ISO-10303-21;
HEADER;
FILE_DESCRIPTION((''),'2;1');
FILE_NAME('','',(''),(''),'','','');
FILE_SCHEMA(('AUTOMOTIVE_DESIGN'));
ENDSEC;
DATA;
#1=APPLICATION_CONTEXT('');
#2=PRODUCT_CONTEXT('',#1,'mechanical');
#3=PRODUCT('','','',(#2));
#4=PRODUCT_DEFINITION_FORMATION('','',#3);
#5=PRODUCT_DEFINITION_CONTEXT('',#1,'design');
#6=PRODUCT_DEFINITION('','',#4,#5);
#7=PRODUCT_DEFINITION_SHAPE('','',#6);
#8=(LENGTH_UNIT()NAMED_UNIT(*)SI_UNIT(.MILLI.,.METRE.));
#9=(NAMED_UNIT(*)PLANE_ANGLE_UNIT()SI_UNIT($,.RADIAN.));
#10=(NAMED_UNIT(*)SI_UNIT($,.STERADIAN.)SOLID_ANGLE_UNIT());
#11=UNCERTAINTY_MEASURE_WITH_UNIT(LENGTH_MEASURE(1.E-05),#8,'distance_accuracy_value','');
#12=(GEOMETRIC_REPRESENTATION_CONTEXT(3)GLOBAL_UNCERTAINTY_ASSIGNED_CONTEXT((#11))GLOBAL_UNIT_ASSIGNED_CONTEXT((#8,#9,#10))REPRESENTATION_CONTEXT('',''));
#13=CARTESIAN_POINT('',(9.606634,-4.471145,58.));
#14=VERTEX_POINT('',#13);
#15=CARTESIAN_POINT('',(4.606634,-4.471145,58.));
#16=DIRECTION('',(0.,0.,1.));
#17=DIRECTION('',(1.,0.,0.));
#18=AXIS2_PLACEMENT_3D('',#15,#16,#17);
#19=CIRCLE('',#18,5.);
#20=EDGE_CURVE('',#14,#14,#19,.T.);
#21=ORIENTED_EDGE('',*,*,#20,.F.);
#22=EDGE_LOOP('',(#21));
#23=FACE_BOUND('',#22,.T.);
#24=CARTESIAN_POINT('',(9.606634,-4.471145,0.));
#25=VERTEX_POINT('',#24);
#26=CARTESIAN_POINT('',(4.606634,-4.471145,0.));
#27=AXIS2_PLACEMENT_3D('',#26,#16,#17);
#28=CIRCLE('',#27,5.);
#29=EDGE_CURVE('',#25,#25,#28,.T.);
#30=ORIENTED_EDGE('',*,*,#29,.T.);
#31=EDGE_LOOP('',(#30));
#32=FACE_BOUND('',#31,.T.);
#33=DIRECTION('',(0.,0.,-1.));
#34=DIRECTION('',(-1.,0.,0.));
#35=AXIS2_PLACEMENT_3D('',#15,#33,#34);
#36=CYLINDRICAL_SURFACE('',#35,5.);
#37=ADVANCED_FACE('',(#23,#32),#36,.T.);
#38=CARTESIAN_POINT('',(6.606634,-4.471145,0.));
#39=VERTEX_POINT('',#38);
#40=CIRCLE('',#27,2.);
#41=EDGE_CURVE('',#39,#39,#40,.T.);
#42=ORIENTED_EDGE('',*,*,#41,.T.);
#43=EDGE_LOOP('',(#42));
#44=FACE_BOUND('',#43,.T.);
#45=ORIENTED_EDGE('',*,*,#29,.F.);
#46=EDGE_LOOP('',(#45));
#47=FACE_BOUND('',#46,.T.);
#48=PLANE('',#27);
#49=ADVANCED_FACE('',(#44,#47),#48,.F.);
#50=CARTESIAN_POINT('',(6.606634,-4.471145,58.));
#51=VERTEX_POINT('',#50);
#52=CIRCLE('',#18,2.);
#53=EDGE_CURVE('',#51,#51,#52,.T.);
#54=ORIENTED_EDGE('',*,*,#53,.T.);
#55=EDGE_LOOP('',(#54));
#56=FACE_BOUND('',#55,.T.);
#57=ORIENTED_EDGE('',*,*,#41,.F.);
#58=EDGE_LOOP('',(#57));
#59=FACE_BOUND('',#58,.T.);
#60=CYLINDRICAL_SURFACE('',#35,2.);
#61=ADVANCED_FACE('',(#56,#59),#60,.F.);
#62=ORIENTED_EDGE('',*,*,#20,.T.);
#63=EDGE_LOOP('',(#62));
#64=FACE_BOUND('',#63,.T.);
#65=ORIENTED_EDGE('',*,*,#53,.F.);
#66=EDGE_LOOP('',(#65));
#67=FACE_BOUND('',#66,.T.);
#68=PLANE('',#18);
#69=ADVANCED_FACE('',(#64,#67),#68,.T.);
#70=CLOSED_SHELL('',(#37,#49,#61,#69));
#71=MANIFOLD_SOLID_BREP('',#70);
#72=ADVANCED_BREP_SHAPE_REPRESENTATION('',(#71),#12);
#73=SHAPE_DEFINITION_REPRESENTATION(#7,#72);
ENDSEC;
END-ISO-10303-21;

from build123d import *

# Parameters (mm, degrees)
SKETCH1_R           = 5
SKETCH1_R_2         = 2
BOSS_EXTRUDE1_DEPTH = 58


with BuildPart() as part:
    # Sketch1 → Boss-Extrude1 (new body)
    with BuildSketch(Plane.XY):
        with Locations((4.606634439, -4.471145191)):
            Circle(SKETCH1_R)
        with Locations((4.606634439, -4.471145191)):
            Circle(SKETCH1_R_2, mode=Mode.SUBTRACT)
    extrude(amount=BOSS_EXTRUDE1_DEPTH)


solid = part.part
